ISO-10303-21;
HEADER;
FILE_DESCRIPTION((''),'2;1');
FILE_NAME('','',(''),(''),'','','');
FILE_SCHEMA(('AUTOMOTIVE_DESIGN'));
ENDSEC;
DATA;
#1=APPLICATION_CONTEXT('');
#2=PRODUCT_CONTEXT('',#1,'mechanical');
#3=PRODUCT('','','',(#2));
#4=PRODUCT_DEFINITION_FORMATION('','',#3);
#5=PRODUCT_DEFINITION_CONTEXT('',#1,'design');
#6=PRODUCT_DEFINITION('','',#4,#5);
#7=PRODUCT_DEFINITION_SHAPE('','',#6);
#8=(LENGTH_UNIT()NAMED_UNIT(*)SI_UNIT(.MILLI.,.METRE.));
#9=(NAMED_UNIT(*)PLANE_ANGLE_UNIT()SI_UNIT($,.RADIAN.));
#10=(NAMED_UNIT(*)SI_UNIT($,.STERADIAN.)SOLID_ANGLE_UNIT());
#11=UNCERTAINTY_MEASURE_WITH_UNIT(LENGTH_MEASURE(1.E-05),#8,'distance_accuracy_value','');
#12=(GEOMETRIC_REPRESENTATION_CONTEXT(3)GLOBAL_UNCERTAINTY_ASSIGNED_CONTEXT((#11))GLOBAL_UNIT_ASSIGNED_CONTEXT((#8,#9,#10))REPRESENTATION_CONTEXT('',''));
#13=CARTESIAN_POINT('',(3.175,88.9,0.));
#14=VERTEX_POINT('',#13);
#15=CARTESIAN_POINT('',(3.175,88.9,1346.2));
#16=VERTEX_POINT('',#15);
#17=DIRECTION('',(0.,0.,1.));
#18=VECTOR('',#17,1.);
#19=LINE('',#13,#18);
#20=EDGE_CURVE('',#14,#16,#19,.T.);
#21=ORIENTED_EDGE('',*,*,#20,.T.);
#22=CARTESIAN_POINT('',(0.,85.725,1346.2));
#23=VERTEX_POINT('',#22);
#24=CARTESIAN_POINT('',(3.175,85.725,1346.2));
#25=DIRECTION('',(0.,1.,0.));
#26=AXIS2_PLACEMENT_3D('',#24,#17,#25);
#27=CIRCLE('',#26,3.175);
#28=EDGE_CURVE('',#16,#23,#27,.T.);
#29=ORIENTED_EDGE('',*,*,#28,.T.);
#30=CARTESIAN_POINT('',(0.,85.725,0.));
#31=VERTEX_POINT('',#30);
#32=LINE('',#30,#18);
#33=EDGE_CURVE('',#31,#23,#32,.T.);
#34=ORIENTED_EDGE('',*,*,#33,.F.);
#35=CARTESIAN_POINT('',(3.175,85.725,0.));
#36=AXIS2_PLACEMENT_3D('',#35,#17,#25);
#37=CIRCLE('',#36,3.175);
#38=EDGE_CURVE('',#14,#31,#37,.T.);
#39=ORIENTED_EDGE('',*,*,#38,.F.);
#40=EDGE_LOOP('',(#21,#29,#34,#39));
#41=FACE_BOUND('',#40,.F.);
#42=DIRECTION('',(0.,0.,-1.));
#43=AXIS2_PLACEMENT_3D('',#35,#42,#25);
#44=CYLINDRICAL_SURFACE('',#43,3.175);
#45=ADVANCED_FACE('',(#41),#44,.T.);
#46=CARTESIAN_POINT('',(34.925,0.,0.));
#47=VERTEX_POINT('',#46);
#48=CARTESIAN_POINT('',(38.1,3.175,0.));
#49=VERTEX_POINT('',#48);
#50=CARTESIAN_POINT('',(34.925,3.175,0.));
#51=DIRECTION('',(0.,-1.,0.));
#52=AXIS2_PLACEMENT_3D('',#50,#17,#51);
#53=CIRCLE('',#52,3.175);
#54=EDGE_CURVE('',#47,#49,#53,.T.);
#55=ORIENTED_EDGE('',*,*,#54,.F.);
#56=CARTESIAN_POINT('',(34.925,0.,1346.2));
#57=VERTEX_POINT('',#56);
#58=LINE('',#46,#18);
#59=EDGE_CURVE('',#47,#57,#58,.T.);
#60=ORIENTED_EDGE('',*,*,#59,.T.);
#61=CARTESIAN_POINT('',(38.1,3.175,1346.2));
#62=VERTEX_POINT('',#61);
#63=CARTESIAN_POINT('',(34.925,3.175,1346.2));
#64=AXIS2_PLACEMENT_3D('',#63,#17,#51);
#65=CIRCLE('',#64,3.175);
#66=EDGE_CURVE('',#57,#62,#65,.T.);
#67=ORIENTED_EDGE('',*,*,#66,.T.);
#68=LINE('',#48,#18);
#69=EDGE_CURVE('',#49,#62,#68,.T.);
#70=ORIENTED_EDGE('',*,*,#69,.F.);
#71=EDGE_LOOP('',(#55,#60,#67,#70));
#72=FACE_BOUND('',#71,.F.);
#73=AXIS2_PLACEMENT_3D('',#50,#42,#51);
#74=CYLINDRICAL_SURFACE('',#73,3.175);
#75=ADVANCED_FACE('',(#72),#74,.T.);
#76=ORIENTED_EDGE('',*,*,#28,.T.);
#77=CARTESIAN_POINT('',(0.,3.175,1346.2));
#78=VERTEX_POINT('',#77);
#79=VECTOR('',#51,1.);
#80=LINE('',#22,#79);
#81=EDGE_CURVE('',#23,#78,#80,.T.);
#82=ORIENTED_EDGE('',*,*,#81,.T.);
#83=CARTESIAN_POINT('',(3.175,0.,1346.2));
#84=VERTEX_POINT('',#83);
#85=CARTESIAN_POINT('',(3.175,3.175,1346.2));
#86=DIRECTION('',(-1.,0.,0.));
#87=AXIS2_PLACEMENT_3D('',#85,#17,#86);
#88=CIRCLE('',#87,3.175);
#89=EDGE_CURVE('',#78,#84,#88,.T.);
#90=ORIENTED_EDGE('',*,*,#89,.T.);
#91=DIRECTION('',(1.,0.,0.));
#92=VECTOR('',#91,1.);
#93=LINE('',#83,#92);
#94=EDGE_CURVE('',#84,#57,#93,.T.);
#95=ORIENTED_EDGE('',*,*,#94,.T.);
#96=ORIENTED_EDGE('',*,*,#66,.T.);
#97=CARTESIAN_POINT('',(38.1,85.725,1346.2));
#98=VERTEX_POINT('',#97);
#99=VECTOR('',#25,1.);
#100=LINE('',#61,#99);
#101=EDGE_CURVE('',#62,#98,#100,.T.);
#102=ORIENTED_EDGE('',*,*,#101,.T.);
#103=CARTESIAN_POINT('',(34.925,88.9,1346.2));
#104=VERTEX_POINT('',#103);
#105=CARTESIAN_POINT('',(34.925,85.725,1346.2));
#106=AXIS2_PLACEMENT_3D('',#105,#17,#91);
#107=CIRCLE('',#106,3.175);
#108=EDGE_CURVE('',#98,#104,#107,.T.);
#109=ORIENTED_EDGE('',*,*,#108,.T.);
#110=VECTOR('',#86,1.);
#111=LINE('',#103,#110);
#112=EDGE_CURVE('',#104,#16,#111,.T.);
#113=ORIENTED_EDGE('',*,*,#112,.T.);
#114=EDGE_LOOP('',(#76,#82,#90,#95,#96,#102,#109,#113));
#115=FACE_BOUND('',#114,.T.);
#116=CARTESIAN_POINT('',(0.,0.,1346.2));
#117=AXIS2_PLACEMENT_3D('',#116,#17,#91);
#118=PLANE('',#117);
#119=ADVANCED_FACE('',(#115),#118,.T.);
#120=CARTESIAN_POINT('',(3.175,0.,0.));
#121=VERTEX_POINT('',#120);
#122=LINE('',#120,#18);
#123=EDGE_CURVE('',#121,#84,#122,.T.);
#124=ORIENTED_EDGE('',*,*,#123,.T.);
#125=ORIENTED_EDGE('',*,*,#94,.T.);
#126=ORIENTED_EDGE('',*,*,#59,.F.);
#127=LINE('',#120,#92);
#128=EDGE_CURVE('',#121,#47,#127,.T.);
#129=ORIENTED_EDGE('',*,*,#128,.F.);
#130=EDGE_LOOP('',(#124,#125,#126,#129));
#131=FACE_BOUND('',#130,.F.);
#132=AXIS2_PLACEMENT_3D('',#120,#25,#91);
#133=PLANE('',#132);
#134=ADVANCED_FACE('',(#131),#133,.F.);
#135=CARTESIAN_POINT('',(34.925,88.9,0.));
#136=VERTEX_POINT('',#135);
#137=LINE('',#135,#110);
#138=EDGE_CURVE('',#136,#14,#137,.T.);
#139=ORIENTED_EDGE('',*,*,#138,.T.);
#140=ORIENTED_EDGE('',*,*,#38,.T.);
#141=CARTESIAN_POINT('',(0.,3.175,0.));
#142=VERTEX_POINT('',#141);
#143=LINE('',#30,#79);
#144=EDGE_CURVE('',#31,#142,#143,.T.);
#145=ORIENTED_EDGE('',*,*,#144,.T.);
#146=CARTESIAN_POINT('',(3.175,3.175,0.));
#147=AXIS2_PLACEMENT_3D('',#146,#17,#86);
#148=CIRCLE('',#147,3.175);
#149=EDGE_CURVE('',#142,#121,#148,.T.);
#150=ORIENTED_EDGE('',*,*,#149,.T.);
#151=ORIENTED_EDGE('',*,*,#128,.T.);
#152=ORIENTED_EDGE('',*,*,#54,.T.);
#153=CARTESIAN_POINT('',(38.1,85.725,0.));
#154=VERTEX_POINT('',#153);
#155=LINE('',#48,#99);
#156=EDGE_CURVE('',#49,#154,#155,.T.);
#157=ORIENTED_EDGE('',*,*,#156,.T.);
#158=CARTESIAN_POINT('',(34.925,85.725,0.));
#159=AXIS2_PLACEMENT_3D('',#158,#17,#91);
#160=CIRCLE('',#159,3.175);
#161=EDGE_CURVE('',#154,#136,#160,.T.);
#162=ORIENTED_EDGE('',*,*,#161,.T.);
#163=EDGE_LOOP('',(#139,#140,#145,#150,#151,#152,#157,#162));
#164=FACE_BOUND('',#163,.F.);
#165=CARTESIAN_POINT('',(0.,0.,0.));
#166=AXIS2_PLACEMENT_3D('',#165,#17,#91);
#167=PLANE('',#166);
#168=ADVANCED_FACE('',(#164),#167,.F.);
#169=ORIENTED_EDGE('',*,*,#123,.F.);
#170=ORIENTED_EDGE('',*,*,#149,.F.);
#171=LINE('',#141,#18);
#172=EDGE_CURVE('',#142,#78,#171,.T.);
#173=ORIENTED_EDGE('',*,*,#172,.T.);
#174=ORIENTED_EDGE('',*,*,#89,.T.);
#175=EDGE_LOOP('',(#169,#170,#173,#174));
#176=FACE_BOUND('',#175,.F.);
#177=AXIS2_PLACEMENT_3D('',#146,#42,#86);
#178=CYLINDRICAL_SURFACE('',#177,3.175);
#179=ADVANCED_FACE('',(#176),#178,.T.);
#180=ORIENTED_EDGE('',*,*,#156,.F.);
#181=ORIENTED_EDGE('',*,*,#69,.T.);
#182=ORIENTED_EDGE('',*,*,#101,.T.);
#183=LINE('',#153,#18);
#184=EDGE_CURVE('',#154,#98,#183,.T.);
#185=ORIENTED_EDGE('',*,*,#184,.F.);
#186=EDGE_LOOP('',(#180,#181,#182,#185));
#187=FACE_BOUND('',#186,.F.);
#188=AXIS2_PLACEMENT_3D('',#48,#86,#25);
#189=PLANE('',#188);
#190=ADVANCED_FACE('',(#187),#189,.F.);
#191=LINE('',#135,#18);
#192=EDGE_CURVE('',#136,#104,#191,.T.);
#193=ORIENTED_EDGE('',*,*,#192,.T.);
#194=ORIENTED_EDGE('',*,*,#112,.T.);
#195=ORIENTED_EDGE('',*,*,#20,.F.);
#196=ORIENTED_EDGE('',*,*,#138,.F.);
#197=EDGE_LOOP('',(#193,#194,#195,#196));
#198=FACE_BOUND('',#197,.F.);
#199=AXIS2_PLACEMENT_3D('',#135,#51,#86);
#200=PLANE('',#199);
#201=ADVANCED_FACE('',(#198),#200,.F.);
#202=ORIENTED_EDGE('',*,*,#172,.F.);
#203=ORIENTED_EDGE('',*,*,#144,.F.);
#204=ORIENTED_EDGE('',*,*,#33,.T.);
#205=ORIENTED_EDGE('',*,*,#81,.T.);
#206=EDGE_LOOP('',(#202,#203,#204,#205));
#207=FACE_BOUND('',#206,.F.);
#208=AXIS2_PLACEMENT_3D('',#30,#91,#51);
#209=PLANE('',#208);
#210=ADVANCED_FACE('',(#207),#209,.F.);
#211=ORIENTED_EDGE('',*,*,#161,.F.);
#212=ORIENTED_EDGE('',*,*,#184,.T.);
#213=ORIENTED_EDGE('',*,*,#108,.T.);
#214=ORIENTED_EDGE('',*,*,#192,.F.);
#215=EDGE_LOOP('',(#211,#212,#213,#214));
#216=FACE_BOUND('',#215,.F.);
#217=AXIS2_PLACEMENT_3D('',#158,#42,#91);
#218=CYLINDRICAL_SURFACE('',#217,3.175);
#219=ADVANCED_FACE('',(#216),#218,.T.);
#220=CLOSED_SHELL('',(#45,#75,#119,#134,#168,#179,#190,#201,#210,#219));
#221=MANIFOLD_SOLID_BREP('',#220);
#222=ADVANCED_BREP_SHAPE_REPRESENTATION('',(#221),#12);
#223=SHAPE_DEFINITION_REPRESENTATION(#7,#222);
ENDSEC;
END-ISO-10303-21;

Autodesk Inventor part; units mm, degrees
ref_plane "YZ Plane" through (0, 0, 0) normal (1, 0, 0) x (0, 1, 0)
ref_plane "XZ Plane" through (0, 0, 0) normal (0, 1, 0) x (-1, 0, 0)
ref_plane "XY Plane" through (0, 0, 0) normal (0, 0, 1) x (1, 0, 0)
sketch "Sketch1" plane through (0, 0, 0) normal (0, 0, 1) x (1, 0, 0)
  line L0 (3.175, 0) -> (34.925, 0)
  line L1 (38.1, 3.175) -> (38.1, 85.725)
  line L2 (34.925, 88.9) -> (3.175, 88.9)
  line L3 (0, 85.725) -> (0, 3.175)
  arc A0 (3.175, 88.9) -> (0, 85.725) centre (3.175, 85.725) ccw
  arc A1 (38.1, 85.725) -> (34.925, 88.9) centre (34.925, 85.725) ccw
  arc A2 (34.925, 0) -> (38.1, 3.175) centre (34.925, 3.175) ccw
  arc A3 (0, 3.175) -> (3.175, 0) centre (3.175, 3.175) ccw
  point P0 (0, 0)
  point P1 (38.1, 88.9)
  point P2 (38.1, 0)
  point P3 (0, 88.9)
  dimension "d0" = 38.1
  dimension "d1" = 88.9
  dimension "d2" = 3.175
extrude "Extrusion1" add sketch "Sketch1" along normal blind 1346.2
properties part number "2x4_Wood" material "Pine Wood"
